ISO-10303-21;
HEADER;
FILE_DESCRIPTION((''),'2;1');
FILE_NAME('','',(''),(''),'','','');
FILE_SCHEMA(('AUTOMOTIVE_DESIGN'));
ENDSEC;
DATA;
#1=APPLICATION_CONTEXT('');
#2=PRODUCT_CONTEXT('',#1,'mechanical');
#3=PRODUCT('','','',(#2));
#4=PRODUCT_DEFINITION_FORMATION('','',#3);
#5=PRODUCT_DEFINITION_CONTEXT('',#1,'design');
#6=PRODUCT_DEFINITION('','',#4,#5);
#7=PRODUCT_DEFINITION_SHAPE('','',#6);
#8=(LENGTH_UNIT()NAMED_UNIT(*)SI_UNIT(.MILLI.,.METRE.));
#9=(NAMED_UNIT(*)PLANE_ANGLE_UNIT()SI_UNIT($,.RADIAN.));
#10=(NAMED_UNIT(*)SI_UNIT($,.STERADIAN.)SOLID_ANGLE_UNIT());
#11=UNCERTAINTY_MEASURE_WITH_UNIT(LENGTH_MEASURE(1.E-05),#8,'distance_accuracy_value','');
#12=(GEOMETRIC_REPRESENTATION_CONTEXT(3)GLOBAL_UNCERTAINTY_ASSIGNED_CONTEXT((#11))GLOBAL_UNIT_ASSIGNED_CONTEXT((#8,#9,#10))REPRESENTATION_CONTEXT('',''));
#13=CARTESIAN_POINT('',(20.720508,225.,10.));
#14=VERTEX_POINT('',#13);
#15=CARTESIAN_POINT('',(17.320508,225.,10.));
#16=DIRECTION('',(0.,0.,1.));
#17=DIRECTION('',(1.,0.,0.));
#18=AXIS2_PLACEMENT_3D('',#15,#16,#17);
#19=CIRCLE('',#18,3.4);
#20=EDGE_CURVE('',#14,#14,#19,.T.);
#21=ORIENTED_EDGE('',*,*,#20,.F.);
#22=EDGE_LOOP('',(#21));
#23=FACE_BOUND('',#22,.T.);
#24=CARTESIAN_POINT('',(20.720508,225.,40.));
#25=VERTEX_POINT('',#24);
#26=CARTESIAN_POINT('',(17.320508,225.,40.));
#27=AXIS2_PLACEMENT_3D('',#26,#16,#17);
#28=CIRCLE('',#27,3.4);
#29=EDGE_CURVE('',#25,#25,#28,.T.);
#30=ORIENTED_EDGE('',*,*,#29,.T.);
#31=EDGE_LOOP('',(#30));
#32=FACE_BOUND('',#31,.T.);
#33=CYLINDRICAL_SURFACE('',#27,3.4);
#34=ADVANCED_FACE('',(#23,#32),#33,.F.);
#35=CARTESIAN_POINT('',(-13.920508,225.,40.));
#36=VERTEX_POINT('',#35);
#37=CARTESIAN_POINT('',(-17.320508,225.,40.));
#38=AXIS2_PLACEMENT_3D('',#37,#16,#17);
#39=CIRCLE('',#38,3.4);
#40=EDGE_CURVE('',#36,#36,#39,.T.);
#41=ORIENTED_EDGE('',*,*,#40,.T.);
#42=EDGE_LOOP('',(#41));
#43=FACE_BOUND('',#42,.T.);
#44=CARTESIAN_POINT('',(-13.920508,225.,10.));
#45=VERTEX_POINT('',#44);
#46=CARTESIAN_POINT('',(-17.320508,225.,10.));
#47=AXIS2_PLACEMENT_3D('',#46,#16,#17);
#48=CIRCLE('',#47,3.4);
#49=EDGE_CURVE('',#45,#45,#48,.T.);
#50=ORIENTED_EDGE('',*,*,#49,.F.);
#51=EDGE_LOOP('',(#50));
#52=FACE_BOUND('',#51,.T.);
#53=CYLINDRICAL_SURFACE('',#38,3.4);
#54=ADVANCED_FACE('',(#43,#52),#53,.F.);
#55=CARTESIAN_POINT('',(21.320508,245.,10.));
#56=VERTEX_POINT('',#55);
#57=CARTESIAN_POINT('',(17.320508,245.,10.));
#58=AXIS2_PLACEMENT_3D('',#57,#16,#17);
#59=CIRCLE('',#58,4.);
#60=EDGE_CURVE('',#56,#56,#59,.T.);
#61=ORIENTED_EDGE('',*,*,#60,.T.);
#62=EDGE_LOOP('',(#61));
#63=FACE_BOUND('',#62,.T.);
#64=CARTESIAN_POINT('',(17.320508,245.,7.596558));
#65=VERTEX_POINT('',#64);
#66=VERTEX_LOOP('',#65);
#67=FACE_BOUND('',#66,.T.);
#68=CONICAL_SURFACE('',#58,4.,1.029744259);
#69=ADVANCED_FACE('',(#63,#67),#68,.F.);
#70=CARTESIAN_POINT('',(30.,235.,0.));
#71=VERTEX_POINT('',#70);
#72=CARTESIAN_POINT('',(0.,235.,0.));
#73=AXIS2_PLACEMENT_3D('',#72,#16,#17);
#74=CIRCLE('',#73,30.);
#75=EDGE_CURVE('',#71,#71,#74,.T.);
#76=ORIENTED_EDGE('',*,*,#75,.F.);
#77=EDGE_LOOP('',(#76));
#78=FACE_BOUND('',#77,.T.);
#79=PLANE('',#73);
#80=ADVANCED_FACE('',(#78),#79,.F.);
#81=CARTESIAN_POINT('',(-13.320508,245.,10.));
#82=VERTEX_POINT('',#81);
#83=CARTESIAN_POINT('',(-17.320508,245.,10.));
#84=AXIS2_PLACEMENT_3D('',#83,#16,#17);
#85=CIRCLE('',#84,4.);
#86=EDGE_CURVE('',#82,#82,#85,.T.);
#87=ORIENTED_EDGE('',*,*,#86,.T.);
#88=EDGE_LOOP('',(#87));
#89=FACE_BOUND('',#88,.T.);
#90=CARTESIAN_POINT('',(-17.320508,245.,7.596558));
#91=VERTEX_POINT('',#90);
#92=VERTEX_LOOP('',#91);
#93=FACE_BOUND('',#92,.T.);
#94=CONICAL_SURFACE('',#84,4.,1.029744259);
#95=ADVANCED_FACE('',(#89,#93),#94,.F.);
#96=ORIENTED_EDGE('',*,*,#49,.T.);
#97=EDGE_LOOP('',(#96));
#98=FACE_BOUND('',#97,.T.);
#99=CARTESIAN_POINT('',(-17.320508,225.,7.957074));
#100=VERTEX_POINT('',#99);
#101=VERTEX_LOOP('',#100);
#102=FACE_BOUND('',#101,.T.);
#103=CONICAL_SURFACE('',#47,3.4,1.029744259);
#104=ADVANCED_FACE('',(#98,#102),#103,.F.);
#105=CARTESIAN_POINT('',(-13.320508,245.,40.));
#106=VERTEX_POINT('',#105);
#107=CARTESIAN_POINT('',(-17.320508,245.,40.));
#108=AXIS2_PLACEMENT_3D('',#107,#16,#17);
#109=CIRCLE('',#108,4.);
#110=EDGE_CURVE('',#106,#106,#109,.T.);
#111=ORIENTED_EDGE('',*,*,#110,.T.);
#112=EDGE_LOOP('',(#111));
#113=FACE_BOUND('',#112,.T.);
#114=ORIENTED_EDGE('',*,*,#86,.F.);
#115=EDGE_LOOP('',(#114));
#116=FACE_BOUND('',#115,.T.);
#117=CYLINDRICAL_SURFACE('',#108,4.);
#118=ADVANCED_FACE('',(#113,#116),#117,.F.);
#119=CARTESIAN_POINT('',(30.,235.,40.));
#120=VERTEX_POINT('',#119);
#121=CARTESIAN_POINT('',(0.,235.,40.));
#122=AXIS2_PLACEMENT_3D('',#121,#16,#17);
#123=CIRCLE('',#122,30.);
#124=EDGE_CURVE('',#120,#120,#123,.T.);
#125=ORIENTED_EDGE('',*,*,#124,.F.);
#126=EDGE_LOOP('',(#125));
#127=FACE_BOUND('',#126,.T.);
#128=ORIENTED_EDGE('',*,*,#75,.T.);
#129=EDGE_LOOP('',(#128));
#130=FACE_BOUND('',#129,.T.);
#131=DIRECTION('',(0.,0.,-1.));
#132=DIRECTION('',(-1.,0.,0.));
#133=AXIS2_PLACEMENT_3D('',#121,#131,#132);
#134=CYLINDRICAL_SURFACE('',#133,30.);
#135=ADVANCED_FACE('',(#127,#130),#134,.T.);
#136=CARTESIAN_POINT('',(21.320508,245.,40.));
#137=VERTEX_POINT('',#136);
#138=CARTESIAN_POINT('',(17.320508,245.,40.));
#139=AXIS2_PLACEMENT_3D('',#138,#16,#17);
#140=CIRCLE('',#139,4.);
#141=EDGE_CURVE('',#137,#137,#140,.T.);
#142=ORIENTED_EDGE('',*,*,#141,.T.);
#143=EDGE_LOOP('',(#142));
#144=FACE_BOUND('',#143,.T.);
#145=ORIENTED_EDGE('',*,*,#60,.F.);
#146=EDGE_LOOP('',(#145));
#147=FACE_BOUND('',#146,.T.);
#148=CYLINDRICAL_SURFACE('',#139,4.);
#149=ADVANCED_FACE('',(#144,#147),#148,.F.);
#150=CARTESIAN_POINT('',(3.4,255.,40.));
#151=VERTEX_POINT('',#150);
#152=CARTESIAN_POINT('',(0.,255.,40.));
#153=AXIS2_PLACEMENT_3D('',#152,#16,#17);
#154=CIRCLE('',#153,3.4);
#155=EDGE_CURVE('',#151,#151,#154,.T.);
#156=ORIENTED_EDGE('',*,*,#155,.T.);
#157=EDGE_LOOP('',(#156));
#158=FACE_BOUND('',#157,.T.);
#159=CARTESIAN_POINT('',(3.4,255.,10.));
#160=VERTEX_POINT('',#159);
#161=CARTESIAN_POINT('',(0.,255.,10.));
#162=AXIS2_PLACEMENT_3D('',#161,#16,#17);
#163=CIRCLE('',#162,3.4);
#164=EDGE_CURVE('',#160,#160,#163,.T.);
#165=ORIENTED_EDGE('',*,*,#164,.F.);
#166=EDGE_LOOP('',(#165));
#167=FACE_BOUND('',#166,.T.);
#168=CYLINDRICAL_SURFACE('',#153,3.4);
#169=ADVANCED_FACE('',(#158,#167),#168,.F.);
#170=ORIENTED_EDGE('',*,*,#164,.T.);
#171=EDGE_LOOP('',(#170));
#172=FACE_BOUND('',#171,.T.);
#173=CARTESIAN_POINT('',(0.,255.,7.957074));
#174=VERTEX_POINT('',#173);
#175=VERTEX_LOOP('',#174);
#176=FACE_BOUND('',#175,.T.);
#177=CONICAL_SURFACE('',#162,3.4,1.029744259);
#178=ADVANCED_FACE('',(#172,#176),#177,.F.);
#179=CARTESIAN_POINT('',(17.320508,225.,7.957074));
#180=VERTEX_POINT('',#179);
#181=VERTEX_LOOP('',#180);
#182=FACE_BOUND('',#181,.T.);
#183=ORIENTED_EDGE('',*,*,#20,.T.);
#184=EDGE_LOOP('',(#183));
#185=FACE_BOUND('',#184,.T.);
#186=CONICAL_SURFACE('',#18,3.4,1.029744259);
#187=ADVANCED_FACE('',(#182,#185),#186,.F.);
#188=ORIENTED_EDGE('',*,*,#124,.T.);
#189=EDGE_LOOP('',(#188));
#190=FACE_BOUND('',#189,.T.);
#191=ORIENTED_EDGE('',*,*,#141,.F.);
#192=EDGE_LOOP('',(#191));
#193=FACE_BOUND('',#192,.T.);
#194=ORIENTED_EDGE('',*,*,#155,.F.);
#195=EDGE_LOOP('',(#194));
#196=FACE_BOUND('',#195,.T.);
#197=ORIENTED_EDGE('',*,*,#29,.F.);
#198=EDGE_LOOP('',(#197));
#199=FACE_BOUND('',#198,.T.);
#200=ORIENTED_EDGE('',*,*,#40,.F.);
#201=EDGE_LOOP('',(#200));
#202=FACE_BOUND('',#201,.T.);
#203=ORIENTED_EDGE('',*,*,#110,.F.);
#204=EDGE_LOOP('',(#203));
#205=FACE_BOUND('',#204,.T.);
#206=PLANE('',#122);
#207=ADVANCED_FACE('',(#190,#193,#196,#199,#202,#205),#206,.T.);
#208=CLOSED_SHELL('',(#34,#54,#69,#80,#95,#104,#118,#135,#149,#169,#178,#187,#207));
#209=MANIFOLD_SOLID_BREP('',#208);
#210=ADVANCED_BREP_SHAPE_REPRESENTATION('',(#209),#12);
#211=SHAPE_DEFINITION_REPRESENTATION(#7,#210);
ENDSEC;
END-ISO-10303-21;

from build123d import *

# Parameters (mm, degrees)
ESBO_O1_R                   = 30
RESSALTO_EXTRUS_O1_DEPTH    = 40
FURO_ROSCADO_DE_M81_D       = 6.8
FURO_ROSCADO_DE_M81_DEPTH   = 30
FURO_ROSCADO_DE_M81_TIP     = 2.042926105
FUROS_GUIA_COM_8_0MM1_D     = 8
FUROS_GUIA_COM_8_0MM1_DEPTH = 30
FUROS_GUIA_COM_8_0MM1_TIP   = 2.403442476


with BuildPart() as part:
    # Esboço1 → Ressalto-extrusão1 (new body)
    with BuildSketch(Plane.XY):
        with Locations((0, 235)):
            Circle(ESBO_O1_R)
    extrude(amount=RESSALTO_EXTRUS_O1_DEPTH)

    # Furo roscado de M81
    with Locations(Plane.XY.offset(40)):
        with Locations((-17.320508076, 225), (0, 255), (17.320508076, 225)):
            Hole(FURO_ROSCADO_DE_M81_D / 2, depth=FURO_ROSCADO_DE_M81_DEPTH)
            with Locations((0, 0, -(FURO_ROSCADO_DE_M81_DEPTH + FURO_ROSCADO_DE_M81_TIP / 2))):  # 118° drill point
                Cone(0, FURO_ROSCADO_DE_M81_D / 2, FURO_ROSCADO_DE_M81_TIP, mode=Mode.SUBTRACT)

    # Furos-guia com Ø8.0mm1
    with Locations(Plane.XY.offset(40)):
        with Locations((17.320508076, 245), (-17.320508076, 245)):
            Hole(FUROS_GUIA_COM_8_0MM1_D / 2, depth=FUROS_GUIA_COM_8_0MM1_DEPTH)
            with Locations((0, 0, -(FUROS_GUIA_COM_8_0MM1_DEPTH + FUROS_GUIA_COM_8_0MM1_TIP / 2))):  # 118° drill point
                Cone(0, FUROS_GUIA_COM_8_0MM1_D / 2, FUROS_GUIA_COM_8_0MM1_TIP, mode=Mode.SUBTRACT)


solid = part.part
